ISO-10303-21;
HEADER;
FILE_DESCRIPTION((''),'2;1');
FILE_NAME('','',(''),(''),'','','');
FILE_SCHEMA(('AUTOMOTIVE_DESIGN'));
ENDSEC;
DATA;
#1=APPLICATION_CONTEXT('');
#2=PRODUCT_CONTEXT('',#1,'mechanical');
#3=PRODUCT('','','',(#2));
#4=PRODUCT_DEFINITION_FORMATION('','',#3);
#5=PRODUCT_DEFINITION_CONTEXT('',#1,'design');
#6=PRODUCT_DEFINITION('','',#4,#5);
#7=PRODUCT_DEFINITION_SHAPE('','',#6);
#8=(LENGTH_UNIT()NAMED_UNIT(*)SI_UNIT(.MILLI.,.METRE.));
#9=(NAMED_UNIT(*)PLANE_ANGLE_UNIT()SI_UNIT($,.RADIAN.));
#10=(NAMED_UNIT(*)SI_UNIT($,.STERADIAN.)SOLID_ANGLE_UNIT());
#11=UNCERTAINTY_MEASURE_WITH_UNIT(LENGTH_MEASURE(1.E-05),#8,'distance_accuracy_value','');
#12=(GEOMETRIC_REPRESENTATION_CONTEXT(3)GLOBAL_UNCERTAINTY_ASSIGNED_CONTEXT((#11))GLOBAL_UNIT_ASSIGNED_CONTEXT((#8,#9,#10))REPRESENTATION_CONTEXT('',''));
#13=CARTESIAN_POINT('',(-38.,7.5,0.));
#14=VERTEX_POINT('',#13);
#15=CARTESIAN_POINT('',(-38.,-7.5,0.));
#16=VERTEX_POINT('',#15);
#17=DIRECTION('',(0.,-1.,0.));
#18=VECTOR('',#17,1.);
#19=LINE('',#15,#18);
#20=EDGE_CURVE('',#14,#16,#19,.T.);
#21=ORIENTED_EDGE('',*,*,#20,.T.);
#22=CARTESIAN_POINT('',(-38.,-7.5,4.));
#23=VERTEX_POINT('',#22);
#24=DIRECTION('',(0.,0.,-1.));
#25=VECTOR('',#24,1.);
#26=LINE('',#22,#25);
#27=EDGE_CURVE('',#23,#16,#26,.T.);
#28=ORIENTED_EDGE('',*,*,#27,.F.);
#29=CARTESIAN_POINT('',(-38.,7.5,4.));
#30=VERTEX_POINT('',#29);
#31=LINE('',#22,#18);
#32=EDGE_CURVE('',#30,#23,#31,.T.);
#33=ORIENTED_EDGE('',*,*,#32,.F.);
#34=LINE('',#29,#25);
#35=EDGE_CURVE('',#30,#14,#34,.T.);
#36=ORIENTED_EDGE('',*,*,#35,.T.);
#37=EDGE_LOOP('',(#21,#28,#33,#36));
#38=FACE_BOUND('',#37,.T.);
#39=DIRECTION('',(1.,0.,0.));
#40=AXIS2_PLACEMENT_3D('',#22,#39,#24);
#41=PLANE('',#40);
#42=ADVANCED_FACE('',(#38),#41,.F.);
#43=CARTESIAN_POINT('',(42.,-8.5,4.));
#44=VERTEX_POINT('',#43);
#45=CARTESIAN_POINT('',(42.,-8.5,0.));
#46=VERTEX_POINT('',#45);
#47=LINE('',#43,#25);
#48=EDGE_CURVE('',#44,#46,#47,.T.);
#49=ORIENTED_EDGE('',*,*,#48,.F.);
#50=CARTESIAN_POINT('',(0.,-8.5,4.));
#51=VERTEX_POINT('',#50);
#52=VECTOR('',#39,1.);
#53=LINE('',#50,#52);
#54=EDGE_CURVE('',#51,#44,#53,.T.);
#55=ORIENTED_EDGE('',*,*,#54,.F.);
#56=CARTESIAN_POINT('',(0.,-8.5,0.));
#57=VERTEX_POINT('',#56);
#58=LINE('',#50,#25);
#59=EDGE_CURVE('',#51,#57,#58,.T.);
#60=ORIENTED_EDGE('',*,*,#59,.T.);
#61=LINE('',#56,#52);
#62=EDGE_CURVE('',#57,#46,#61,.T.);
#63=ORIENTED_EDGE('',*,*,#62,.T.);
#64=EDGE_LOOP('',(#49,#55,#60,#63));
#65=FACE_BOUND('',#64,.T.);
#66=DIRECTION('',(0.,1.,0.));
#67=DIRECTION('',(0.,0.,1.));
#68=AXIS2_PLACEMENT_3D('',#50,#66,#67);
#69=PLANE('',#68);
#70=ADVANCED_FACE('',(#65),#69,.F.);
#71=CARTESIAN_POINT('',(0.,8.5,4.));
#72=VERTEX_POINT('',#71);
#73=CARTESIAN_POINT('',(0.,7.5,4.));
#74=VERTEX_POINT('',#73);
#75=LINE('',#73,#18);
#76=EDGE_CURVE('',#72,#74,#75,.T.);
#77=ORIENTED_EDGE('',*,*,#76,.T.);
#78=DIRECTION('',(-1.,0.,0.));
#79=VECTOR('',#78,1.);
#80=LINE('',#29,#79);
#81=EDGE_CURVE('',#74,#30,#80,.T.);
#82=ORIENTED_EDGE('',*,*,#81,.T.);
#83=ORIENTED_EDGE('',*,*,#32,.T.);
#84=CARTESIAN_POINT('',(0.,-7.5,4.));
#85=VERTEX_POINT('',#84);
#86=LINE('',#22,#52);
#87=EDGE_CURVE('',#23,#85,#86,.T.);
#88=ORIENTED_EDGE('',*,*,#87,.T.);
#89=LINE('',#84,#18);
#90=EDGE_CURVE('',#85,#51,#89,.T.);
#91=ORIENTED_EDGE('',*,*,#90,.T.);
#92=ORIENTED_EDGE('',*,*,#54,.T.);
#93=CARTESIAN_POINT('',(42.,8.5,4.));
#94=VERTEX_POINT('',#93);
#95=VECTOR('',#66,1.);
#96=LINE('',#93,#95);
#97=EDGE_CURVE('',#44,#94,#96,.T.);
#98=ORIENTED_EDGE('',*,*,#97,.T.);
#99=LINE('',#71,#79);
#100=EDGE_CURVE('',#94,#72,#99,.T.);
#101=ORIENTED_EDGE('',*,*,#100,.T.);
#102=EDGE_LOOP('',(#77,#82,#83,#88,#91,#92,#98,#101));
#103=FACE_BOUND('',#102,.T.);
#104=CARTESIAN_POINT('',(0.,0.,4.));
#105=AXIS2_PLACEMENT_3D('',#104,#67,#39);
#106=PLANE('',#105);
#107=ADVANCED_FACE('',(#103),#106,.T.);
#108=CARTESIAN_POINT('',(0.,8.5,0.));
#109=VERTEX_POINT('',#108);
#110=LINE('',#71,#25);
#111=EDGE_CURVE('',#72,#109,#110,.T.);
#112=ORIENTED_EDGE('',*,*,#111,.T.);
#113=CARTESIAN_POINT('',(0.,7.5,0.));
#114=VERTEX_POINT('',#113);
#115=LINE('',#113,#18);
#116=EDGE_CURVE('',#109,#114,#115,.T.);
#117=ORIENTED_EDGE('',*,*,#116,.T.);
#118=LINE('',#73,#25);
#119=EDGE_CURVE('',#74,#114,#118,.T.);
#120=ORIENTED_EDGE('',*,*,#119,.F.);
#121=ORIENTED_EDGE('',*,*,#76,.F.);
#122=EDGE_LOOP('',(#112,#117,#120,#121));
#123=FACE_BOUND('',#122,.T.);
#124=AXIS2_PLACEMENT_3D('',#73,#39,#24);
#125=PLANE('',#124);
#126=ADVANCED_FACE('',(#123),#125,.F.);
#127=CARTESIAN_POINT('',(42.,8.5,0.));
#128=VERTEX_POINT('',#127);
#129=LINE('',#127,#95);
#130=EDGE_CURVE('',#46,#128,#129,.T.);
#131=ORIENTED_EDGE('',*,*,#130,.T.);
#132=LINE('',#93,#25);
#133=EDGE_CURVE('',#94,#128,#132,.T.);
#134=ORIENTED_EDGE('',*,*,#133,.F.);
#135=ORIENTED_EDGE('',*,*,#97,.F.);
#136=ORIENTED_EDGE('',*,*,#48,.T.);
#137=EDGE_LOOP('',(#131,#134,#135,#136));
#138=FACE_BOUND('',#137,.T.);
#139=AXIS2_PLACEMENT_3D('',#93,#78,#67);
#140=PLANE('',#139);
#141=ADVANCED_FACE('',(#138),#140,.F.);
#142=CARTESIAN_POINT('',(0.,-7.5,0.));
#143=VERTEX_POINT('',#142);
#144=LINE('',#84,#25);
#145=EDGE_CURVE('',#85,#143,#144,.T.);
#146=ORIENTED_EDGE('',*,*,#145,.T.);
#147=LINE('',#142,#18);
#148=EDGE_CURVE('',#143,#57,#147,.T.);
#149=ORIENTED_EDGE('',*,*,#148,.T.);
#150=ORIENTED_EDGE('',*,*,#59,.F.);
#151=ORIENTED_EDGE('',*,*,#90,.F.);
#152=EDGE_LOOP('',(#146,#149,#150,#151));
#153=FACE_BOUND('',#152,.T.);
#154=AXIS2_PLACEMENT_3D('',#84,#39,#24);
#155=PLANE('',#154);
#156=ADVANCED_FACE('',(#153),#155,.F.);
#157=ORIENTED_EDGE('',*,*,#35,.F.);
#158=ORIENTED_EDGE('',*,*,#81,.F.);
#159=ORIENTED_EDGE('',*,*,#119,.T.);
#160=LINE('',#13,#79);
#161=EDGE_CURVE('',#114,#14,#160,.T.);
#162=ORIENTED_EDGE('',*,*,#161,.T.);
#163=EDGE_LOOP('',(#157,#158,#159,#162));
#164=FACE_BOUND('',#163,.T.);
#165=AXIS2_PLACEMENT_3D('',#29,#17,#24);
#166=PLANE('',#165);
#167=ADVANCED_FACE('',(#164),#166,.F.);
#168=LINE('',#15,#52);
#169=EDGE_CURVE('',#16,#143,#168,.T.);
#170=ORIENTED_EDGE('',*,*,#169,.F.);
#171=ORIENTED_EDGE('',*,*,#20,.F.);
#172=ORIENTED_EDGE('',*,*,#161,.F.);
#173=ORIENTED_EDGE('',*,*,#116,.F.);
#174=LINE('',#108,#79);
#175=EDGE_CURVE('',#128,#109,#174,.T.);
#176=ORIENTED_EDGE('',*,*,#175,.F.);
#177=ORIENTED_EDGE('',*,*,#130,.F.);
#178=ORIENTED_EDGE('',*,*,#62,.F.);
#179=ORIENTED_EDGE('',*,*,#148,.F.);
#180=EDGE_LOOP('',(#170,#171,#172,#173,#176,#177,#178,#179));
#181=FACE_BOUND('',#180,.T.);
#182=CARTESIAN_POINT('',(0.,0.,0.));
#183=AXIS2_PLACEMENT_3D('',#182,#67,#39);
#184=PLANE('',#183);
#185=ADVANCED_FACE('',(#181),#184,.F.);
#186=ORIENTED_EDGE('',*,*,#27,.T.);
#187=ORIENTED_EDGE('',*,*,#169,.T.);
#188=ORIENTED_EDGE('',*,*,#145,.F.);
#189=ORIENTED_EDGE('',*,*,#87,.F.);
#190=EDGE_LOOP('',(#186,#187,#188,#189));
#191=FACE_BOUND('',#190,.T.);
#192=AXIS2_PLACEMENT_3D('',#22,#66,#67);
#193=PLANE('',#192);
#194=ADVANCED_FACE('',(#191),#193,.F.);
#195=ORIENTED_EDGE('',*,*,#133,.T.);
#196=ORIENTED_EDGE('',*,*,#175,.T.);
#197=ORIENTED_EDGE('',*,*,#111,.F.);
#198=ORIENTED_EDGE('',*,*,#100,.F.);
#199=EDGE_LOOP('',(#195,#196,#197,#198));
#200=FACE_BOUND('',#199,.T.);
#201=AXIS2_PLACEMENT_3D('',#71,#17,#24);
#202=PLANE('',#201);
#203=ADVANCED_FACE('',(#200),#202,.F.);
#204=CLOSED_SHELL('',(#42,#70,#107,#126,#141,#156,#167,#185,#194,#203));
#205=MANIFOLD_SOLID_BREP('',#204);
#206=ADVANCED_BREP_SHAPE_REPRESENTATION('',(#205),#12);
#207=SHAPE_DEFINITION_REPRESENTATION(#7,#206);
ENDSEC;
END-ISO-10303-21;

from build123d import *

# Parameters (mm, degrees)
AUFSATZ_LINEAR_AUSTRAGEN1_DEPTH = 4


with BuildPart() as part:
    # Skizze1 → Aufsatz-Linear austragen1 (new body)
    with BuildSketch(Plane.XY):
        Polygon((-38, -7.5), (-38, 7.5), (0, 7.5), (0, 8.5), (42, 8.5), (42, -8.5), (0, -8.5), (0, -7.5), align=None)
    extrude(amount=AUFSATZ_LINEAR_AUSTRAGEN1_DEPTH)


solid = part.part
